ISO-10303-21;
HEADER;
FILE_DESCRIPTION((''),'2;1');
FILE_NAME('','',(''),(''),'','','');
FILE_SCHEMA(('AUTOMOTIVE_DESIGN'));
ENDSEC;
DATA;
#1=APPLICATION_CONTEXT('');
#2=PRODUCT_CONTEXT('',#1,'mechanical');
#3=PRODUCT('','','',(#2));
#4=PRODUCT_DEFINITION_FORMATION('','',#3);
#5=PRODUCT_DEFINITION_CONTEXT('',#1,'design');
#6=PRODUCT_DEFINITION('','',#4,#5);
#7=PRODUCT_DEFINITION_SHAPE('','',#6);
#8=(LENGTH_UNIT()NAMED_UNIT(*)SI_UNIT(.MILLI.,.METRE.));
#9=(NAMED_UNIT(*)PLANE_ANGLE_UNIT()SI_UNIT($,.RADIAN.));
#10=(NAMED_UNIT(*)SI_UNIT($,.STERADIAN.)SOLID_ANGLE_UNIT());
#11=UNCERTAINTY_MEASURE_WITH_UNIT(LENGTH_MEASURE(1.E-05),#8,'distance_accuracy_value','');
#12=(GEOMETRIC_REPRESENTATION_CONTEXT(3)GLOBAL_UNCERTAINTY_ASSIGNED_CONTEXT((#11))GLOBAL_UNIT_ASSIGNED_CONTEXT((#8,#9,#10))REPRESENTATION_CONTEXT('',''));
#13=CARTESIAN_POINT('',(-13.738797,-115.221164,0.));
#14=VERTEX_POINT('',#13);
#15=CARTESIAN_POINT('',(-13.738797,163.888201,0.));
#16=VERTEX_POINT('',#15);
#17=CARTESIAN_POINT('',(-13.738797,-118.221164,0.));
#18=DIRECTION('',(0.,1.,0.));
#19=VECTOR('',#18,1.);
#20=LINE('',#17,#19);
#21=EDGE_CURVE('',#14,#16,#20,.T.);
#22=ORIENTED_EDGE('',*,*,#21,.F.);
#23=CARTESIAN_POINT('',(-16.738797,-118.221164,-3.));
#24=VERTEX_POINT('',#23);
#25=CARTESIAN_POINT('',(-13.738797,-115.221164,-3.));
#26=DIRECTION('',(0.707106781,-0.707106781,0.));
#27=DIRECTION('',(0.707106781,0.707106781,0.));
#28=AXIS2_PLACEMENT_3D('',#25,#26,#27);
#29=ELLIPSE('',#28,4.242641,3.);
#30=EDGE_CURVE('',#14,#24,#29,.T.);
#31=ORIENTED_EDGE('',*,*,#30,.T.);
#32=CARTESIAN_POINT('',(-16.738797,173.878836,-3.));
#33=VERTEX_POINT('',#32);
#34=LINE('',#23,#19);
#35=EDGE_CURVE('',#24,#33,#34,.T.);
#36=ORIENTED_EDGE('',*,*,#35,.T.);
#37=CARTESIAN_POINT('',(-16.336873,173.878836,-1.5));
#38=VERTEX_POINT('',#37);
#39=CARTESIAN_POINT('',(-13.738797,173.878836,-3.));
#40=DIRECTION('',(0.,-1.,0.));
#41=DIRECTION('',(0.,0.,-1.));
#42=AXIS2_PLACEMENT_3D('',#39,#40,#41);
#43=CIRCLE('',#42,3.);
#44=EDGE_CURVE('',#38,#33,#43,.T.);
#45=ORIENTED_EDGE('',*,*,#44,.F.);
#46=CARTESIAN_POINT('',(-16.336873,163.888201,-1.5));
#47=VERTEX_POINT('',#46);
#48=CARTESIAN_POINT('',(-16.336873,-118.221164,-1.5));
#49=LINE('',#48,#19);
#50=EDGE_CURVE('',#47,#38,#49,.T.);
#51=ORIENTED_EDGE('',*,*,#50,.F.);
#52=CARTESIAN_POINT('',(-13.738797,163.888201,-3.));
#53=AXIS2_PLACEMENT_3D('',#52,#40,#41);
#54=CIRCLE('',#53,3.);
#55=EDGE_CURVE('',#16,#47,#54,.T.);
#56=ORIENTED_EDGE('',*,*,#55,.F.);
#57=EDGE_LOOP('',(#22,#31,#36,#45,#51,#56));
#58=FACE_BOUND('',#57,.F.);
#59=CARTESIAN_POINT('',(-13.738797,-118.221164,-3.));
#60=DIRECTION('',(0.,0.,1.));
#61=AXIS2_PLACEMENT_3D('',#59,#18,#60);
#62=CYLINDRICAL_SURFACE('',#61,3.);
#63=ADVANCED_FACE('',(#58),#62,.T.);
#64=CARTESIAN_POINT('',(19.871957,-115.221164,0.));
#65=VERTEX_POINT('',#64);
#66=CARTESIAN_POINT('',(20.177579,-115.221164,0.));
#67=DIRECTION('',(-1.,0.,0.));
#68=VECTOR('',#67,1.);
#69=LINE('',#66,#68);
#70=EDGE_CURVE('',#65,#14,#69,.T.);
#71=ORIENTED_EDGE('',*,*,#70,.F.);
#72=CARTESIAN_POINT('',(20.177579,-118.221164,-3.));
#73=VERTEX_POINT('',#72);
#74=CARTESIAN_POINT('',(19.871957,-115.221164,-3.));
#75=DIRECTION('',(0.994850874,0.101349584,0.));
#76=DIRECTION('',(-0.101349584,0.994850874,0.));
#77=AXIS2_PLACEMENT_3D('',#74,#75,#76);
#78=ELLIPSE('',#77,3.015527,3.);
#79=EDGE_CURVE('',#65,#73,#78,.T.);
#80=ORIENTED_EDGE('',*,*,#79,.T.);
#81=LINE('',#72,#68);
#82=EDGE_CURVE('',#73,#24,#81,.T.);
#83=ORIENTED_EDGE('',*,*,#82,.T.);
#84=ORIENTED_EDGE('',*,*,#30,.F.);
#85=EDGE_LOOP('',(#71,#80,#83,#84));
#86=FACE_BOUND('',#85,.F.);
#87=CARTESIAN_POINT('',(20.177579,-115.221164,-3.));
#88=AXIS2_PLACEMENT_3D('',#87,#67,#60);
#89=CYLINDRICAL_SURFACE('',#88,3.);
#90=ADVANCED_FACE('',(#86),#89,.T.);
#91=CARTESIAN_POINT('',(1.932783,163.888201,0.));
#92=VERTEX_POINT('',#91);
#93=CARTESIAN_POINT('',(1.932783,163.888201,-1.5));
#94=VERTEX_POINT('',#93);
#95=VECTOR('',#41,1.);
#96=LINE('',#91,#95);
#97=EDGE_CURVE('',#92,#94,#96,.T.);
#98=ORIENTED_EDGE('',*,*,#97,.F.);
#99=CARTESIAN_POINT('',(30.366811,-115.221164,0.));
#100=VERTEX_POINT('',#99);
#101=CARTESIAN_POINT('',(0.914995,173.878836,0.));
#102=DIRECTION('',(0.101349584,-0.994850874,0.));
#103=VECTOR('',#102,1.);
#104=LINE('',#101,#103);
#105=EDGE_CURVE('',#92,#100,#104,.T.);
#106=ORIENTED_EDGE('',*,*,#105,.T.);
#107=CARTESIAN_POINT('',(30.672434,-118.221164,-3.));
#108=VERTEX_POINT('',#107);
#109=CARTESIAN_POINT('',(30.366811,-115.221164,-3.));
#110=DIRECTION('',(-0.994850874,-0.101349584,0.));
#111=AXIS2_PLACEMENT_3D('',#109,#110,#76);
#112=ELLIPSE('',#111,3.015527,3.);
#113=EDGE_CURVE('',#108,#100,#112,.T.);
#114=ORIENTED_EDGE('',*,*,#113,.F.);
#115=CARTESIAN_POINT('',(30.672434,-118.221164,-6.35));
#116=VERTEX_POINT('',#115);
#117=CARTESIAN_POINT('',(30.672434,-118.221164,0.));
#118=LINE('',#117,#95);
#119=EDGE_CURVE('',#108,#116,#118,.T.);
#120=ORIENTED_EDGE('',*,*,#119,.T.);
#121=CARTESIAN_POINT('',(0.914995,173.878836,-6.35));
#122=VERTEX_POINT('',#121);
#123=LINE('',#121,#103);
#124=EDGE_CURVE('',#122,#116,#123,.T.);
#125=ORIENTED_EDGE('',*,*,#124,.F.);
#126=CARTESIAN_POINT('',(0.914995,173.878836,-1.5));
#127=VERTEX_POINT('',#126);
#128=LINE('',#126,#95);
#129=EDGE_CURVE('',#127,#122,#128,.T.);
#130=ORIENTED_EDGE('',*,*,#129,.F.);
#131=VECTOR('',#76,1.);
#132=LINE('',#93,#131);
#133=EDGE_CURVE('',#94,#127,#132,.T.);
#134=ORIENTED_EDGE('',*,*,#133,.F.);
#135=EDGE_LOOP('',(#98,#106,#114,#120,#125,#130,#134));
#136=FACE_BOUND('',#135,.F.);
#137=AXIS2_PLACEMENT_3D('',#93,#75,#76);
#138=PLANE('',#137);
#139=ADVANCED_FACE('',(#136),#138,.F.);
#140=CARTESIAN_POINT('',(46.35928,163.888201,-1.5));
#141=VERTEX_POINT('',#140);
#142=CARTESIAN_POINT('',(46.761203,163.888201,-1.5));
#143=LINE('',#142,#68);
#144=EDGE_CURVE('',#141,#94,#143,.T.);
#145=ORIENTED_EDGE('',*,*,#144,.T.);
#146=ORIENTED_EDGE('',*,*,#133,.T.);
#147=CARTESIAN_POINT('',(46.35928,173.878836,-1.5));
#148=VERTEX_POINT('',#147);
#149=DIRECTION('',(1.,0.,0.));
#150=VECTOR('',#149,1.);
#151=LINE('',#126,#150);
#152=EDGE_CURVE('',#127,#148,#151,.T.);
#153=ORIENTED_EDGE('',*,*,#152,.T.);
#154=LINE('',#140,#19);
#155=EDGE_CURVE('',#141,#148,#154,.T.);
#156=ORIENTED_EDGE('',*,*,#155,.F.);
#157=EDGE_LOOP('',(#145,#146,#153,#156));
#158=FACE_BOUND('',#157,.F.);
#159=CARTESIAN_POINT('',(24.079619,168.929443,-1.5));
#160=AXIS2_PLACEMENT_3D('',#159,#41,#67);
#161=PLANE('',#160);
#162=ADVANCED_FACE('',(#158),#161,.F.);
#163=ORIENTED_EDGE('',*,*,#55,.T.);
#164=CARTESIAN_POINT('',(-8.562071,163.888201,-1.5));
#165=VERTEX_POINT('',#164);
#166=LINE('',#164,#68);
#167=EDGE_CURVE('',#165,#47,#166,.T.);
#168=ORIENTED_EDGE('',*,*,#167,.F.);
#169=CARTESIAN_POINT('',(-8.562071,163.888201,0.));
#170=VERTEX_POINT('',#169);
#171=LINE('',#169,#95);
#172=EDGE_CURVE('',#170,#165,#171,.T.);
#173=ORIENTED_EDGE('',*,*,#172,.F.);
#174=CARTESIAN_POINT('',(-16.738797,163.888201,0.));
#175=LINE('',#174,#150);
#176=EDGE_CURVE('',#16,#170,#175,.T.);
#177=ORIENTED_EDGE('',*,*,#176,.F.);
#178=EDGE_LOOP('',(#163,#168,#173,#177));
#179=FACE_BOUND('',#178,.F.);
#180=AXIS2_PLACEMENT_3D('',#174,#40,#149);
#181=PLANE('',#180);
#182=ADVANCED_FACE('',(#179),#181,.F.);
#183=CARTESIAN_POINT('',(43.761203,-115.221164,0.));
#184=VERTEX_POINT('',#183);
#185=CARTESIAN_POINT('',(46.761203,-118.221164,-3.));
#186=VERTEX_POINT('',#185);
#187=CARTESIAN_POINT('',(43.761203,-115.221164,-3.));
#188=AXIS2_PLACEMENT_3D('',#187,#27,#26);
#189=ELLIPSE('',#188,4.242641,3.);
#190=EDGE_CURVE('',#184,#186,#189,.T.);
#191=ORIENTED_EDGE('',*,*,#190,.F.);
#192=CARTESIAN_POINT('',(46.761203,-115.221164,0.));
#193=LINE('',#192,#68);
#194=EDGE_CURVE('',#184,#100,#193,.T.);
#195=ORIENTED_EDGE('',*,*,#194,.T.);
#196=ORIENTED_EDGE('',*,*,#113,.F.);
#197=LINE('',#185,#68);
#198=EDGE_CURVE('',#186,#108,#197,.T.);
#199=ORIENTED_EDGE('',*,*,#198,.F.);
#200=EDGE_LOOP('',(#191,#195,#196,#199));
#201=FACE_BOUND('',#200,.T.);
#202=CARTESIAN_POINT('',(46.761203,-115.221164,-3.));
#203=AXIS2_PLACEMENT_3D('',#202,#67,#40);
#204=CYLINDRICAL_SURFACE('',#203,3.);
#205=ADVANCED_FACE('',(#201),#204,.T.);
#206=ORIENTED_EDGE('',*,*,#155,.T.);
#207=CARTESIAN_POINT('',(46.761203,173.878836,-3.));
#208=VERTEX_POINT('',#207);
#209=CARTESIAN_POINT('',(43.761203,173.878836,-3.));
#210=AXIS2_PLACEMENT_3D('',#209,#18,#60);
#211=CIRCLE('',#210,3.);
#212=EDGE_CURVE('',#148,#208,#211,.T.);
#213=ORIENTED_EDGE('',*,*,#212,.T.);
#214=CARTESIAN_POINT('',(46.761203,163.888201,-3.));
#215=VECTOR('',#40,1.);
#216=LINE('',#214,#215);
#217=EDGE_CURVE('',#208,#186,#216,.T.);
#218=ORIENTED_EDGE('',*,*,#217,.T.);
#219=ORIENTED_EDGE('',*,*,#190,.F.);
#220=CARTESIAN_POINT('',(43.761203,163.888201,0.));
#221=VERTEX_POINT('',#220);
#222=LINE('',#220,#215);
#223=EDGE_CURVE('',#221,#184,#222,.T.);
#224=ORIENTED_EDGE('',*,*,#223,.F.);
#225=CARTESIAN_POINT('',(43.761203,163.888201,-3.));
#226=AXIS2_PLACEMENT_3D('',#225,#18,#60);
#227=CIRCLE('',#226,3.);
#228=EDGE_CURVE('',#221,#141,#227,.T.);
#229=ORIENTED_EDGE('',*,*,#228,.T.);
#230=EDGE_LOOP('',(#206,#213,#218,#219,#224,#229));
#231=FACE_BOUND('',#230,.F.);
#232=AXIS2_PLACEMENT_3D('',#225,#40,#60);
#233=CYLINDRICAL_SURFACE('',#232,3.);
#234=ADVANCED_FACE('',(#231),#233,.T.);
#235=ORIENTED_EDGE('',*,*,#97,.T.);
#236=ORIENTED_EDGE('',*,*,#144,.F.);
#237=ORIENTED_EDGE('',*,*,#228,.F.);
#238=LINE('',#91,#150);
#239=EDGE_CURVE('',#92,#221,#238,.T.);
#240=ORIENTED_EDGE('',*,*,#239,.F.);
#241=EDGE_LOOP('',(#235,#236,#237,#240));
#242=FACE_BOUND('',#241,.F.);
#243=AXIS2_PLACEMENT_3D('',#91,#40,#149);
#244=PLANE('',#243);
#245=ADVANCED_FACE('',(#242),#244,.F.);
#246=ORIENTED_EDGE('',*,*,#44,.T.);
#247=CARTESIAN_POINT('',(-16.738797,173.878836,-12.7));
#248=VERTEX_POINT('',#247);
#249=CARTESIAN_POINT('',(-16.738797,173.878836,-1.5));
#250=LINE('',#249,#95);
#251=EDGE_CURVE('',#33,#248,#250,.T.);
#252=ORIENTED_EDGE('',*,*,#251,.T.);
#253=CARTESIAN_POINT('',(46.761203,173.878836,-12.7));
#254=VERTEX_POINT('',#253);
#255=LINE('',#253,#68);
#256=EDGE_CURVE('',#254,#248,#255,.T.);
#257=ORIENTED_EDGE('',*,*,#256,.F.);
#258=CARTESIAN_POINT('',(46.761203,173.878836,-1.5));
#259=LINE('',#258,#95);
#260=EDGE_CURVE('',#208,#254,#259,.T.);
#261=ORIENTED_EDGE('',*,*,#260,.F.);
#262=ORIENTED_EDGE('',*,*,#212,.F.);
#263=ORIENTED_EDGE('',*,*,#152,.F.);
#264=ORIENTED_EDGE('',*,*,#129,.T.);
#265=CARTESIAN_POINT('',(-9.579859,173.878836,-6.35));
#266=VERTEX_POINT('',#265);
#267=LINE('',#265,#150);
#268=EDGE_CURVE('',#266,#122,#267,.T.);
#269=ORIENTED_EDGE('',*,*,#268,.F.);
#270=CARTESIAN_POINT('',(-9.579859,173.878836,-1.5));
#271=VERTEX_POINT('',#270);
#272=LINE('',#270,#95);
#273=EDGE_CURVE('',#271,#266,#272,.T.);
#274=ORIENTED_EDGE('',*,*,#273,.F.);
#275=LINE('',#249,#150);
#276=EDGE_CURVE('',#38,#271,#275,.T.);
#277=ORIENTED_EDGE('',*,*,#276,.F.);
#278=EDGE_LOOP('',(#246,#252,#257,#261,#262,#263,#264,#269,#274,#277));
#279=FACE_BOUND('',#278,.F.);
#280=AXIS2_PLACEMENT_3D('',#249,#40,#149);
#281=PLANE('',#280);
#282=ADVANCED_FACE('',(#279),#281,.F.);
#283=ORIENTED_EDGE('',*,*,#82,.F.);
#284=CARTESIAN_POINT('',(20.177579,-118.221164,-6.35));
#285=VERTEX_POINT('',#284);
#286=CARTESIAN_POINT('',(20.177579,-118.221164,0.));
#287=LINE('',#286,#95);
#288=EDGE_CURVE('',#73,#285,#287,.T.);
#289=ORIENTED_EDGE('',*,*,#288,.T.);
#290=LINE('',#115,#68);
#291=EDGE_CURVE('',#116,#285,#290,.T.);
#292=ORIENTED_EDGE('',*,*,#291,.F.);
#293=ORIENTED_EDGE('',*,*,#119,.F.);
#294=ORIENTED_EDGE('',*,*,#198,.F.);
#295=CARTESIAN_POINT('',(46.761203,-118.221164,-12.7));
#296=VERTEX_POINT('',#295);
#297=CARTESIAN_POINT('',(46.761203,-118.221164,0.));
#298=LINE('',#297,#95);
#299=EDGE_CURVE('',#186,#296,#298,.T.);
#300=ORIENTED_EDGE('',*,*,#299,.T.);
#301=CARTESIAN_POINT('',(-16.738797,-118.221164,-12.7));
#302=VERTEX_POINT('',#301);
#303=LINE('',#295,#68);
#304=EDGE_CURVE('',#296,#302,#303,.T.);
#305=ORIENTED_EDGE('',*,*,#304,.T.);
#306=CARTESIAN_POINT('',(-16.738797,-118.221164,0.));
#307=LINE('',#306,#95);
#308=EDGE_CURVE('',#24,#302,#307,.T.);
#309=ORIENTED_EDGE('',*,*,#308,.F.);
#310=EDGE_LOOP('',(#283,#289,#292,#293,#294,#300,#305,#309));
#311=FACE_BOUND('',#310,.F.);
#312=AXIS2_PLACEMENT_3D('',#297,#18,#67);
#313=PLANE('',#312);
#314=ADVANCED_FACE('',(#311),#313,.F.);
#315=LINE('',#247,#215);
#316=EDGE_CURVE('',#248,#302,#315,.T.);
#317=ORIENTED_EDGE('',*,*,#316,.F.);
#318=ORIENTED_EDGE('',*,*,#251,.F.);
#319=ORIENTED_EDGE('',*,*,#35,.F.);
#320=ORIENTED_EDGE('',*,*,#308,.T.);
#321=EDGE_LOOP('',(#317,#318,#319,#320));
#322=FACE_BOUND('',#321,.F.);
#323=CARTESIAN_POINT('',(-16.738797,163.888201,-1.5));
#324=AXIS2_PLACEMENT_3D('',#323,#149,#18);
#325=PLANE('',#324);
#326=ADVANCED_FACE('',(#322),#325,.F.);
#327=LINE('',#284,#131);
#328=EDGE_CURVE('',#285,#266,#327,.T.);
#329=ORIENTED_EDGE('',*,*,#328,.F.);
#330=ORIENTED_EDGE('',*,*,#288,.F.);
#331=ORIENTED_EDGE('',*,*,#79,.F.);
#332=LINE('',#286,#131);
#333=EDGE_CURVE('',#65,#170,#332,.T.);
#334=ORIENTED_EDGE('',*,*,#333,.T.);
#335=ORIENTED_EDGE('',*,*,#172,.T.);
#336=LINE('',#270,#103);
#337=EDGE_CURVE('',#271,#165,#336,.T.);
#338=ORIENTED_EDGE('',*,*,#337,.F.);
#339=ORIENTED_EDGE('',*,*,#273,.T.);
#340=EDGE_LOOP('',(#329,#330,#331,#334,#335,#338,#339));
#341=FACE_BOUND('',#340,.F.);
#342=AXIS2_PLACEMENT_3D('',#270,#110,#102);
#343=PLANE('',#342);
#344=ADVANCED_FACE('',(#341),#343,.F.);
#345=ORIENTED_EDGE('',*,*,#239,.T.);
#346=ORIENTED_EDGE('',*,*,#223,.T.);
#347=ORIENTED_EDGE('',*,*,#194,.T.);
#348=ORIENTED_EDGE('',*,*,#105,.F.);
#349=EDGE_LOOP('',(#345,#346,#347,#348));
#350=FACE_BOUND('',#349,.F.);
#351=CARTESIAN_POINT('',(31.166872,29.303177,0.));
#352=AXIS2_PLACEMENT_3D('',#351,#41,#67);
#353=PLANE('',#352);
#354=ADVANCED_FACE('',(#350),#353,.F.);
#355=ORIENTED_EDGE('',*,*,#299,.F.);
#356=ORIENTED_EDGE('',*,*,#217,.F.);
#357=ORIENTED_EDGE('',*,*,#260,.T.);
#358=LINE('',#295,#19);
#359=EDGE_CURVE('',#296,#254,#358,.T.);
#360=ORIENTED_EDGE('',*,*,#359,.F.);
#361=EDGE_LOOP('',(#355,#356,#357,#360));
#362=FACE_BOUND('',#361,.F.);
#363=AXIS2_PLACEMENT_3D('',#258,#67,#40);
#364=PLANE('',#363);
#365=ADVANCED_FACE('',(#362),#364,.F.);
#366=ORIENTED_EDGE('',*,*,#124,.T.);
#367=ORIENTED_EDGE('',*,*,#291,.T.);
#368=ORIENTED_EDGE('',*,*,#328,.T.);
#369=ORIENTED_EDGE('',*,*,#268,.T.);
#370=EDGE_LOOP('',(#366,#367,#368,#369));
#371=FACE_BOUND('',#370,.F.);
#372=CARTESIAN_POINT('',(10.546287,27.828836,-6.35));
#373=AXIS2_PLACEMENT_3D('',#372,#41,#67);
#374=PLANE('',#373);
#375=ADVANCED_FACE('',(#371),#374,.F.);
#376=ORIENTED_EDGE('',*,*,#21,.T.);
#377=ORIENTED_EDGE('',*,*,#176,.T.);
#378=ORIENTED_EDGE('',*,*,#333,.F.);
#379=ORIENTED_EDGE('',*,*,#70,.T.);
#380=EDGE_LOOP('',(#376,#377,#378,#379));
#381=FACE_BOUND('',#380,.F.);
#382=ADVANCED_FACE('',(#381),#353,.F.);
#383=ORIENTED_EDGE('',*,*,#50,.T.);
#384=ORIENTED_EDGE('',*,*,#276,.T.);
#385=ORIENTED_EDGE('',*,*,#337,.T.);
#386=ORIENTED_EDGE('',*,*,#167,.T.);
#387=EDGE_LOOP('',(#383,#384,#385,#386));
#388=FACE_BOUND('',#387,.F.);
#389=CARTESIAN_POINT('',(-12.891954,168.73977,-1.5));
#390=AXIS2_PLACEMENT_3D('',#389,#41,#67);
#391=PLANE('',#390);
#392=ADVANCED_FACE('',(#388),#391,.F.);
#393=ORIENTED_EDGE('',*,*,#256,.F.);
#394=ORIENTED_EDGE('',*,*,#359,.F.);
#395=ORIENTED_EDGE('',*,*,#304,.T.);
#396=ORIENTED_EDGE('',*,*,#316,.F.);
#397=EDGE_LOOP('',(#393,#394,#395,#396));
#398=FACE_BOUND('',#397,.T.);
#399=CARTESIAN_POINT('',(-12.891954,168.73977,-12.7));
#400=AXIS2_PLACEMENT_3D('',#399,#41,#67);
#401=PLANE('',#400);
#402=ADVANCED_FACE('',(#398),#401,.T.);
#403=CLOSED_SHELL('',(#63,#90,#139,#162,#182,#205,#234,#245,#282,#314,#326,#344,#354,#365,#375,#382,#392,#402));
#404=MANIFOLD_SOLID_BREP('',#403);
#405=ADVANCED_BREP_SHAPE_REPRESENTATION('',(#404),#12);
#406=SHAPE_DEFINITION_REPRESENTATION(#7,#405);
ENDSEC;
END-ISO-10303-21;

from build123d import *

# Parameters (mm, degrees)
F1_DEPTH = 12.7
F2_DEPTH = 6.35
F3_START = 1.5
F3_DEPTH = 11.2
F4_START = 1.5
F4_DEPTH = 11.2
F5_R     = 3
F6_ANGLE = 180


with BuildPart() as f1:
    # F0 (on Top) → F1 (new body)
    with BuildSketch(Plane.XY):
        Polygon((-29.410376087, 163.8882011175), (-74.2387966365, 163.8882011175), (-74.2387966365, -118.2211643489), (-58.1500269473, -118.2211643489), align=None)
        Polygon((-17.8977344185, 173.8788356511), (-28.3925887197, 173.8788356511), (-29.410376087, 163.8882011175), (-58.1500269473, -118.2211643489), (-47.655172646, -118.2211643489), (-18.9155217858, 163.8882011175), align=None)
        Polygon((-10.7387966365, 163.8882011175), (-18.9155217858, 163.8882011175), (-47.655172646, -118.2211643489), (-42.4887966365, -118.2211643489), (-10.7387966365, -118.2211643489), align=None)
    extrude(amount=F1_DEPTH)

    # F0 (on Top) → F2 (cut)
    with BuildSketch(Plane.XY):
        Polygon((-17.8977344185, 173.8788356511), (-28.3925887197, 173.8788356511), (-29.410376087, 163.8882011175), (-58.1500269473, -118.2211643489), (-47.655172646, -118.2211643489), (-18.9155217858, 163.8882011175), align=None)
    extrude(amount=F2_DEPTH, mode=Mode.SUBTRACT)

    # F0 (on Top) → F3 (join)
    with BuildSketch(Plane.XY.offset(F3_START)):
        Polygon((-28.3925887197, 173.8788356511), (-74.2387966365, 173.8788356511), (-74.2387966365, 163.8882011175), (-29.410376087, 163.8882011175), align=None)
    extrude(amount=F3_DEPTH)

    # F0 (on Top) → F4 (join)
    with BuildSketch(Plane.XY.offset(F4_START)):
        Polygon((-10.7387966365, 173.8788356511), (-17.8977344185, 173.8788356511), (-18.9155217858, 163.8882011175), (-10.7387966365, 163.8882011175), align=None)
    extrude(amount=F4_DEPTH)

    # F5
    f5_edges = [f1.edges().sort_by_distance(p)[0] for p in [
        (-74.238797, 22.833518, 0),
        (-10.738797, 22.833518, 0),
        (-29.196985, -118.221164, 0),
        (-66.194412, -118.221164, 0),
    ]]
    fillet(f5_edges, radius=F5_R)


with BuildPart() as f1_1:
    # F6: moved
    add(f1.part.rotate(Axis((-13.7387966365, 24.3335183843, 0), (0, -1, 0)), F6_ANGLE))


solid = f1_1.part
